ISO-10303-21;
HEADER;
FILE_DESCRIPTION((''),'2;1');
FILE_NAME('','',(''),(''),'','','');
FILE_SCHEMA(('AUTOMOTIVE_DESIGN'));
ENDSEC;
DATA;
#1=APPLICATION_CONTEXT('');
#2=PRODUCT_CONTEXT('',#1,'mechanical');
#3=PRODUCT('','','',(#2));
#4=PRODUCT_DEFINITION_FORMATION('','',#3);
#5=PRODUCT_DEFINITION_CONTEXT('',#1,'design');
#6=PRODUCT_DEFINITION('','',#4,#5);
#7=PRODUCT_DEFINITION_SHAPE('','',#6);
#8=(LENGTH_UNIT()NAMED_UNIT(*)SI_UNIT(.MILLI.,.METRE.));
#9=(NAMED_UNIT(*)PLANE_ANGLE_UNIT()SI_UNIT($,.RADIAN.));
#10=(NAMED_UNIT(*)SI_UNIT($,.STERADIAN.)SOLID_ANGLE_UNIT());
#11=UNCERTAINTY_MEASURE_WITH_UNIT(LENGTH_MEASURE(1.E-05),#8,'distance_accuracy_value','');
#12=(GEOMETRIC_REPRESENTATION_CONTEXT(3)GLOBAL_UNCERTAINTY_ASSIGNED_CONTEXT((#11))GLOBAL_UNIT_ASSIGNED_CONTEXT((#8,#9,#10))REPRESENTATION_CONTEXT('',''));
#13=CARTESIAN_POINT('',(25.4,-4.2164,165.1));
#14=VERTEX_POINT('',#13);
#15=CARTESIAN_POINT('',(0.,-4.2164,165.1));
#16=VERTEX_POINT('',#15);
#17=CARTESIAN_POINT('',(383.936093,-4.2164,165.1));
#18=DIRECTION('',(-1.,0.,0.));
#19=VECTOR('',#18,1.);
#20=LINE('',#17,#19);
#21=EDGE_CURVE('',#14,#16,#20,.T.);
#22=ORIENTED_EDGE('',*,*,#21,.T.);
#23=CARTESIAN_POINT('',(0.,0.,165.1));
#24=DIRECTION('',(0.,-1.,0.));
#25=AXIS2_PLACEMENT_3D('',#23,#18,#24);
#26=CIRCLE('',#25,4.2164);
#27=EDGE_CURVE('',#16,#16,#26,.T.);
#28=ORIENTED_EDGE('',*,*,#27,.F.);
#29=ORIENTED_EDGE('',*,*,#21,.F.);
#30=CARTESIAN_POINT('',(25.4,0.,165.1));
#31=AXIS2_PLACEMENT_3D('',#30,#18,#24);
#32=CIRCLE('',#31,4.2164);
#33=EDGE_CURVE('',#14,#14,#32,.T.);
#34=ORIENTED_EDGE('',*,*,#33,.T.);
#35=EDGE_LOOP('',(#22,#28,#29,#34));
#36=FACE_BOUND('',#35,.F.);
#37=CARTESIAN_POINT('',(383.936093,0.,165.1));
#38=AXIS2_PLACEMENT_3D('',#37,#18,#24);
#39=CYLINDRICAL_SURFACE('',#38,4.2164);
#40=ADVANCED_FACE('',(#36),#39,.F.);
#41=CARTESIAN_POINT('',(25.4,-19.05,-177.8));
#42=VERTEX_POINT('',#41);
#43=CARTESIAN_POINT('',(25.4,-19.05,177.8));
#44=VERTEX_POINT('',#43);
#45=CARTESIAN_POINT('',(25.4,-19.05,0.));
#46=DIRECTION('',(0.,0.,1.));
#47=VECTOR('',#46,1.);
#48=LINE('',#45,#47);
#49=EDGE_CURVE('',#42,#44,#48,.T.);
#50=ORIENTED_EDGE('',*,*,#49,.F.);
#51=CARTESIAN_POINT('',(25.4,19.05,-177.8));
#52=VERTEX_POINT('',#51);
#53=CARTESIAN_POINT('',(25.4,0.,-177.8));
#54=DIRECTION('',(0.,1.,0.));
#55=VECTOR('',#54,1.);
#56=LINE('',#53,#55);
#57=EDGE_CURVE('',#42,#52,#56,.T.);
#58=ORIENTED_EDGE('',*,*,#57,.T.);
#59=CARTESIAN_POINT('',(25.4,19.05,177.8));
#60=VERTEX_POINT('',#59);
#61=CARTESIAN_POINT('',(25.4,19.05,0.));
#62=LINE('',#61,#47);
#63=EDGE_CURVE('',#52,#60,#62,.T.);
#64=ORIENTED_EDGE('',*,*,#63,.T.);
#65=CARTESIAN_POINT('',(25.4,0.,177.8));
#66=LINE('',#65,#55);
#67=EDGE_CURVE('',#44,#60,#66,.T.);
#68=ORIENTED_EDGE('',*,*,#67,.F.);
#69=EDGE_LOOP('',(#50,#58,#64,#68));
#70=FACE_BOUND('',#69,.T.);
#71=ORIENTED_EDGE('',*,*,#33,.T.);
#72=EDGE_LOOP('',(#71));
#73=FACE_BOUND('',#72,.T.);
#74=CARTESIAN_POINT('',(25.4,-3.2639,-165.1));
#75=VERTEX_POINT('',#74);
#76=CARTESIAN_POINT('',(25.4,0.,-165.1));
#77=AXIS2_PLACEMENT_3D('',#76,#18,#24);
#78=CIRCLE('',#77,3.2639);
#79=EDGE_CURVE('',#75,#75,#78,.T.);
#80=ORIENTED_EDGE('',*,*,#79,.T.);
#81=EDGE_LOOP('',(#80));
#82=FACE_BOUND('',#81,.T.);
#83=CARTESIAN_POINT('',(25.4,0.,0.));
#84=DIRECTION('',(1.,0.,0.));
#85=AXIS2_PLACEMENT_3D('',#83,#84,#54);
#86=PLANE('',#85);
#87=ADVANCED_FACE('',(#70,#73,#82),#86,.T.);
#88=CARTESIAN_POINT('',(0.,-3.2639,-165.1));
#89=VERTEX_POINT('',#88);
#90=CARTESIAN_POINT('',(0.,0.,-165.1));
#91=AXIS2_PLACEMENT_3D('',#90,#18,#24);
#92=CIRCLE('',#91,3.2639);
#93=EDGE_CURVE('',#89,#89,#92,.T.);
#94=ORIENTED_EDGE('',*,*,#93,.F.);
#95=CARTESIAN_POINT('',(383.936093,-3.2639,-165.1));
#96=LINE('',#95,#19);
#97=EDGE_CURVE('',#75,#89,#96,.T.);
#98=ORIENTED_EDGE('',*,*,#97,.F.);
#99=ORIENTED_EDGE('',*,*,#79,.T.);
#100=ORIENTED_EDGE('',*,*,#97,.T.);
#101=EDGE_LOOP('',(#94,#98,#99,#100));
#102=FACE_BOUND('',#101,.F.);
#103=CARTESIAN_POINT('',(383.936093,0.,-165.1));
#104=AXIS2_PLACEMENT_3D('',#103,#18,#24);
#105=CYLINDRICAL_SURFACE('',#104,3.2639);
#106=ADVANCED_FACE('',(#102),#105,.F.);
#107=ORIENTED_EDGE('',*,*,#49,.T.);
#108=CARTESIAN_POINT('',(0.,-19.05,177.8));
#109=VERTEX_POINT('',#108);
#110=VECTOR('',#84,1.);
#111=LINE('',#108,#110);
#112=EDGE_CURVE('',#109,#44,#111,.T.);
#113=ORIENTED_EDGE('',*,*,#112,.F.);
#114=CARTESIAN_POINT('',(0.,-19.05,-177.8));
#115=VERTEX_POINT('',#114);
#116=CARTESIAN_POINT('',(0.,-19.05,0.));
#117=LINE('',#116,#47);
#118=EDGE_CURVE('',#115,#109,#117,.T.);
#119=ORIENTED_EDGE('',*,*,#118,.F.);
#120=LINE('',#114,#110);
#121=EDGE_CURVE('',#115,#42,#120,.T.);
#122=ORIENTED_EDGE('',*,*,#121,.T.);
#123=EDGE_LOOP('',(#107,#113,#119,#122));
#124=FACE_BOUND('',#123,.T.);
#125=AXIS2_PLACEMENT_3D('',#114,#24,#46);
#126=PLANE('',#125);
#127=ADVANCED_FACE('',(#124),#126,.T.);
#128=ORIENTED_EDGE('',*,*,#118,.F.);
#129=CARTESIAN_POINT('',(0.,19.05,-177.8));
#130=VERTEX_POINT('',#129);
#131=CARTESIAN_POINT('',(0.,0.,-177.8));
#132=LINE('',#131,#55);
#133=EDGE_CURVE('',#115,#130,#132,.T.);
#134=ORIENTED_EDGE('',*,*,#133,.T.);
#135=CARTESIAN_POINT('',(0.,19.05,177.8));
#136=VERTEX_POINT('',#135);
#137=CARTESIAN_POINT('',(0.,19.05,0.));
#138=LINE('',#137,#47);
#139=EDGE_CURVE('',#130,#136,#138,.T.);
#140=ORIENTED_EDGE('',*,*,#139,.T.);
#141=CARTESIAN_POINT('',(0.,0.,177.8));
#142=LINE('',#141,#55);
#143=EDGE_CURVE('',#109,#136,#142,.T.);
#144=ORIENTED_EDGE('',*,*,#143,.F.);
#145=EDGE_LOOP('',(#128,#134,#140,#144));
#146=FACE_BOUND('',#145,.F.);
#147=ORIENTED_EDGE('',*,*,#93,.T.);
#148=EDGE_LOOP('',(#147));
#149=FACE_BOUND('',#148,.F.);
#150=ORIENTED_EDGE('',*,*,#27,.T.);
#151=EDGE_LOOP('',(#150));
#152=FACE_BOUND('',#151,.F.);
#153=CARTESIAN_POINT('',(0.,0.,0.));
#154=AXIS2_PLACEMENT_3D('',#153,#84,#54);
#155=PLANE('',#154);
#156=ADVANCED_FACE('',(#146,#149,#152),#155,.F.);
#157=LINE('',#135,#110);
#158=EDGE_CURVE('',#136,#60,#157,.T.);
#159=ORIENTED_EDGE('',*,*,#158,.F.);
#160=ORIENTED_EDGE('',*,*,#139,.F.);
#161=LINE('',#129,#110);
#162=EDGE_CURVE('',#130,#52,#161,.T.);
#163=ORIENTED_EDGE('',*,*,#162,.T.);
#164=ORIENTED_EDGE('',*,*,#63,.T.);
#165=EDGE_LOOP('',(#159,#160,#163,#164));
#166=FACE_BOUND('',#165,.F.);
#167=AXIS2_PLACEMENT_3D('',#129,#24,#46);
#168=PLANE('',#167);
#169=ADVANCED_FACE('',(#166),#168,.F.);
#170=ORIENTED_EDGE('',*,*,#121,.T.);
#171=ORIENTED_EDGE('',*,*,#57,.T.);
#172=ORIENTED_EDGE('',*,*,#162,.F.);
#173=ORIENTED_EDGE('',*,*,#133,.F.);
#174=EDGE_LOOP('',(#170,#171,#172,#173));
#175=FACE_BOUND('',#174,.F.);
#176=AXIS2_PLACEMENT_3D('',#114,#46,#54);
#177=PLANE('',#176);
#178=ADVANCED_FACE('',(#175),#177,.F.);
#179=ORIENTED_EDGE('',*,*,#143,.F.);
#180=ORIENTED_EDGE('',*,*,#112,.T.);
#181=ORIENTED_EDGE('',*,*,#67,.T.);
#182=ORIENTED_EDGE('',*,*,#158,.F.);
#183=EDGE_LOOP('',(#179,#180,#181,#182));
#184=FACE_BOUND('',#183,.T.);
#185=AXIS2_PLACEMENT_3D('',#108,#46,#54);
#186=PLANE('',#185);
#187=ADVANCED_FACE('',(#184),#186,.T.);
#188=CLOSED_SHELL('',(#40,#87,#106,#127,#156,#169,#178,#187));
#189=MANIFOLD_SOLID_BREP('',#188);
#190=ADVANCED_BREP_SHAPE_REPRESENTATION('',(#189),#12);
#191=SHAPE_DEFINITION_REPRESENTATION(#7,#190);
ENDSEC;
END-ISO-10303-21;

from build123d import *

# Parameters (mm, degrees)
F0_W     = 38.1
F0_H     = 355.6
F1_DEPTH = 25.4
F3_D     = 6.5278
F5_D     = 8.4328


with BuildPart() as f1:
    # F0 (on Right) → F1 (new body)
    with BuildSketch(Plane.YZ):
        Rectangle(F0_W, F0_H)
    extrude(amount=F1_DEPTH)

    # F3 (through all)
    with Locations(Plane.YZ.offset(25.4)):
        with Locations((0, -165.1)):
            Hole(F3_D / 2)

    # F5 (through all)
    with Locations(Plane.YZ.offset(25.4)):
        with Locations((0, 165.1)):
            Hole(F5_D / 2)


solid = f1.part
